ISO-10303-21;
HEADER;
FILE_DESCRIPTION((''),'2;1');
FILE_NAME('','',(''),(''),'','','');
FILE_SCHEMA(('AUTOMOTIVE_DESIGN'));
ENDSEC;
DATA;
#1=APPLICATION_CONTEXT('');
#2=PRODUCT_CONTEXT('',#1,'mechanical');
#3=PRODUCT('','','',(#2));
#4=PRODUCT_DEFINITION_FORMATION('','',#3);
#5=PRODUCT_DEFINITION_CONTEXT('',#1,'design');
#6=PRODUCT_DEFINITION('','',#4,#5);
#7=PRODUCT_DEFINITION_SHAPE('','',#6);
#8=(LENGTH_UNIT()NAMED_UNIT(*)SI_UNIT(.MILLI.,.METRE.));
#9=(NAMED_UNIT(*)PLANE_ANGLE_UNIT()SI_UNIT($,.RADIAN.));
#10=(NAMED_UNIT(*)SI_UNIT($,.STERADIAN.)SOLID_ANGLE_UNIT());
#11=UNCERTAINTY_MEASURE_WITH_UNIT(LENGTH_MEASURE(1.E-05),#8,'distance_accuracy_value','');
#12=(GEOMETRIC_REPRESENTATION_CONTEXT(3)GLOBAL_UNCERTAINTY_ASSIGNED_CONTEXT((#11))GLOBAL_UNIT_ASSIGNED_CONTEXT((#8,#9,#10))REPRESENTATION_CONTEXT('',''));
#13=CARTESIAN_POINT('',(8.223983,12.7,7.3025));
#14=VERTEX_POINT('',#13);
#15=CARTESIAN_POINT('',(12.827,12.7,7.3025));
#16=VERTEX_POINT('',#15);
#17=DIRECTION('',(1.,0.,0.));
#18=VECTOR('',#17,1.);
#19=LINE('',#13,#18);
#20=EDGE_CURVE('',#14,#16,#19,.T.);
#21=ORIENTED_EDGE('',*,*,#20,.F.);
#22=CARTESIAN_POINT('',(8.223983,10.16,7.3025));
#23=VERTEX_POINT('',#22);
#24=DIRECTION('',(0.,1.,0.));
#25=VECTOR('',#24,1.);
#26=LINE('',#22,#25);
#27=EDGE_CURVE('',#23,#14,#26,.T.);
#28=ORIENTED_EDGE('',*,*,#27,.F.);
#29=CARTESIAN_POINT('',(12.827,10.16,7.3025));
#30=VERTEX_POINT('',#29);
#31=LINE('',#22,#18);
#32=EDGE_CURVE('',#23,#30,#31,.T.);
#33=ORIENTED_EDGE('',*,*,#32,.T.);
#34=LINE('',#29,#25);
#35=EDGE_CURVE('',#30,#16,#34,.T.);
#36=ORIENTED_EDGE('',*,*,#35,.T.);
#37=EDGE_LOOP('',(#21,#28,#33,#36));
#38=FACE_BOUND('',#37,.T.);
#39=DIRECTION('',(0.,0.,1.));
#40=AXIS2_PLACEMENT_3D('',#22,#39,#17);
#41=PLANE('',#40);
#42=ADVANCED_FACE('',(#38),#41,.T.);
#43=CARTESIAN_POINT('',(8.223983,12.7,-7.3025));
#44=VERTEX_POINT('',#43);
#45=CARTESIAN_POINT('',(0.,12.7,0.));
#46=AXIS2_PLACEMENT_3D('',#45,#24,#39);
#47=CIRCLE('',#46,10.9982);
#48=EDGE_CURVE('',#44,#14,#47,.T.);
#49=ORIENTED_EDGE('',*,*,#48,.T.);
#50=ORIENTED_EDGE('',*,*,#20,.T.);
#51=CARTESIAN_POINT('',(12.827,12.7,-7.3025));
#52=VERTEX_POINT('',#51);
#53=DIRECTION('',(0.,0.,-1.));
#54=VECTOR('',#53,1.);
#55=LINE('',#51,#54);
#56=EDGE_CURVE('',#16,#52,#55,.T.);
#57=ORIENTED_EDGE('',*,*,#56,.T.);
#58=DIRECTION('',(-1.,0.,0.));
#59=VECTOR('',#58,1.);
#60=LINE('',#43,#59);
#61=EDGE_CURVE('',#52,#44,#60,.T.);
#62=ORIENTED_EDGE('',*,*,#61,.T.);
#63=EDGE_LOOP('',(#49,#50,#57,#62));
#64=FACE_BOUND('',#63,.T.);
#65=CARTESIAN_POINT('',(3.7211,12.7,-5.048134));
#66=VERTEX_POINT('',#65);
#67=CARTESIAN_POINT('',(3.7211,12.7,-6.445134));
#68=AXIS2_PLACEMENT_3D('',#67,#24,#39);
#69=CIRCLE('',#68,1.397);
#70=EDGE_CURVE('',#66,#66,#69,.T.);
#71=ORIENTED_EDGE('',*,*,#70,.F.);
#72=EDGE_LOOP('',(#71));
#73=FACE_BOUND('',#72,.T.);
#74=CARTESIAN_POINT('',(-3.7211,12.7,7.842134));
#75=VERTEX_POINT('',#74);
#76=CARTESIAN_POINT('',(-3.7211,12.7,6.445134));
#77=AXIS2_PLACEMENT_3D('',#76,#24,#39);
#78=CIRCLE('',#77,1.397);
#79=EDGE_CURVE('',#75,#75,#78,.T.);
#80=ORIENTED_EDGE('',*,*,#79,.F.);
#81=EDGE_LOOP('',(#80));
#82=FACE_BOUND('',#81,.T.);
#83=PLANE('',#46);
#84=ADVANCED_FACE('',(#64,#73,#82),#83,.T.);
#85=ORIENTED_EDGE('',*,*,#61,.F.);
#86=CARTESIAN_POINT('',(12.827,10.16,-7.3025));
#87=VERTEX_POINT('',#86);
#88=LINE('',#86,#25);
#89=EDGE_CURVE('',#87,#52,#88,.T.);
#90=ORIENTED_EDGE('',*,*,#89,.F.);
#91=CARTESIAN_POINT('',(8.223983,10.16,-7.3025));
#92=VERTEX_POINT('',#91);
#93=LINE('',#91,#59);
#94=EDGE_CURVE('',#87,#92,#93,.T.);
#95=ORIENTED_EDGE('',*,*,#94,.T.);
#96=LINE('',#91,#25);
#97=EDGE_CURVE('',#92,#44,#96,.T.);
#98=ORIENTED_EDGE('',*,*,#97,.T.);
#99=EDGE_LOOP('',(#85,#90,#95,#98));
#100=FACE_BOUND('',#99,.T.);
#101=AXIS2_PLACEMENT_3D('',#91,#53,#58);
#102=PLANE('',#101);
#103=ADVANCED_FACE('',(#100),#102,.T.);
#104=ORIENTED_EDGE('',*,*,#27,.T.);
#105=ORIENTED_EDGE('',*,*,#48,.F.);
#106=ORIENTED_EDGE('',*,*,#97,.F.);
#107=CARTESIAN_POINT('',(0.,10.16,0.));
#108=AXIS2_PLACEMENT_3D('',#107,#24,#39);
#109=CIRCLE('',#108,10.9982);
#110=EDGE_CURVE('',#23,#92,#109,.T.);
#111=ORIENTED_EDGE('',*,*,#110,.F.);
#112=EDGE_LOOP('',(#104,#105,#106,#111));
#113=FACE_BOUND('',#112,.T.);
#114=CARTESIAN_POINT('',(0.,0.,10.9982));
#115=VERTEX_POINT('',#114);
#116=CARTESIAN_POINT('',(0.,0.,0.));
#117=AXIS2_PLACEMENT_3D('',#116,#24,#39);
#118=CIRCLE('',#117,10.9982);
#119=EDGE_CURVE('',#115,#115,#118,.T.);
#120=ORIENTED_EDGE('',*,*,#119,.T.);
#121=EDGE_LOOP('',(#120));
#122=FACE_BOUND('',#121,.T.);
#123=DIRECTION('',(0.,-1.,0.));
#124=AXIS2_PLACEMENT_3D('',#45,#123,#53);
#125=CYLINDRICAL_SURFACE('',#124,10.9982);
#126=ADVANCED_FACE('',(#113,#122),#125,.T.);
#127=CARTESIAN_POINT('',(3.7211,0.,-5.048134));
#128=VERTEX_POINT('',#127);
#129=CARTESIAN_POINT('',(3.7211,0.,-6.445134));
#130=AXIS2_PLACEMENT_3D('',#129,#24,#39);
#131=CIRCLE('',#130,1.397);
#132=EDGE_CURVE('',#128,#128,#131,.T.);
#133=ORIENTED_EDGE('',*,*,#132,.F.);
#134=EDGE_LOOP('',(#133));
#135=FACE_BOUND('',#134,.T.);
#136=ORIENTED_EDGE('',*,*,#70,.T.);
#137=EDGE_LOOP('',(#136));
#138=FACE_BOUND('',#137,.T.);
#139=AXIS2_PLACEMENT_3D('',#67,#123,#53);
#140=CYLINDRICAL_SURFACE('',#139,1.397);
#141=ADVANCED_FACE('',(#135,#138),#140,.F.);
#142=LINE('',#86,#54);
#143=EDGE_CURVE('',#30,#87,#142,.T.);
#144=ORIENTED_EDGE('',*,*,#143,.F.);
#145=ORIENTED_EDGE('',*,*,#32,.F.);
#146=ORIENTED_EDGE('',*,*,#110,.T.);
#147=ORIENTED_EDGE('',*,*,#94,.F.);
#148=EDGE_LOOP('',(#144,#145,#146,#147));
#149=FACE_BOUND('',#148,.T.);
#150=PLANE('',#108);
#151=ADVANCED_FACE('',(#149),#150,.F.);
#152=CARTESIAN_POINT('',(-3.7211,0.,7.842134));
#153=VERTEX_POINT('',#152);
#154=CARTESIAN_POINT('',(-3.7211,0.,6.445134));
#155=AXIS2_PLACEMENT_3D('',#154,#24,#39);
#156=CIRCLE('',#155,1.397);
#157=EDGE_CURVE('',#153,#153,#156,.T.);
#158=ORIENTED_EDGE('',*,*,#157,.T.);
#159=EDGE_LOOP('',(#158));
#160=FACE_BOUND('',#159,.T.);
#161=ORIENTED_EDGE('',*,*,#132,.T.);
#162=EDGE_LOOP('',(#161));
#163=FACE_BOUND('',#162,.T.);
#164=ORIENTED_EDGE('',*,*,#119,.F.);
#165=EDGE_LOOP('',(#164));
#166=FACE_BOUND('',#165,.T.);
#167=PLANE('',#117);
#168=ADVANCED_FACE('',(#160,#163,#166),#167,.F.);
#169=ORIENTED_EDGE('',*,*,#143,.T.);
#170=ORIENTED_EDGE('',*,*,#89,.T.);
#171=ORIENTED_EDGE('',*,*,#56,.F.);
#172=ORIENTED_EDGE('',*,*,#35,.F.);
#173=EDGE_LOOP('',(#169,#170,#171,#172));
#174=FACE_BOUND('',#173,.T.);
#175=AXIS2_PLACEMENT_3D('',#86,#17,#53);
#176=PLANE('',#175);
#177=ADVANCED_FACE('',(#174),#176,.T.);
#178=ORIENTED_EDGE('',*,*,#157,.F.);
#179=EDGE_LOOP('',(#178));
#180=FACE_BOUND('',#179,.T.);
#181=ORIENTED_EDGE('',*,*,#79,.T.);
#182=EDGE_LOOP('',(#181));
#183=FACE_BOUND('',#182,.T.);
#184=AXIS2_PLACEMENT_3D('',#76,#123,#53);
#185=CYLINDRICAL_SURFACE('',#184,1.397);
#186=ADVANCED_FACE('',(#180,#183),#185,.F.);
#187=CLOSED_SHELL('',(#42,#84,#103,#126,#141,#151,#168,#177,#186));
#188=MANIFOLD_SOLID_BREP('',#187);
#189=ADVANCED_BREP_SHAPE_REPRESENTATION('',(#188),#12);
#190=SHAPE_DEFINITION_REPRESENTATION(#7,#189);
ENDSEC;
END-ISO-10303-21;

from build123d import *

# Parameters (mm, degrees)
SKETCH1_R           = 10.9982
SKETCH1_R_2         = 1.397
BOSS_EXTRUDE1_DEPTH = 12.7
SKETCH2_W           = 4.603016963
SKETCH2_H           = 14.605
BOSS_EXTRUDE2_DEPTH = 2.54


with BuildPart() as part:
    # Sketch1 → Boss-Extrude1 (new body)
    with BuildSketch(Plane(origin=(0, 0, 0), x_dir=(1, 0, 0), z_dir=(0, 1, 0))):
        with Locations(Location((0, 0, 0), (0, 0, 270))):
            Circle(SKETCH1_R)
        with Locations(Location((3.7211, 6.44513426, 0), (0, 0, 270))):
            Circle(SKETCH1_R_2, mode=Mode.SUBTRACT)
        with Locations(Location((-3.7211, -6.44513426, 0), (0, 0, 270))):
            Circle(SKETCH1_R_2, mode=Mode.SUBTRACT)
    extrude(amount=BOSS_EXTRUDE1_DEPTH)

    # Sketch2 → Boss-Extrude2 (add)
    with BuildSketch(Plane(origin=(0, 12.7, 0), x_dir=(1, 0, 0), z_dir=(0, 1, 0))):
        with Locations((10.525491519, 0)):
            Rectangle(SKETCH2_W, SKETCH2_H)
    extrude(amount=-BOSS_EXTRUDE2_DEPTH)


solid = part.part
